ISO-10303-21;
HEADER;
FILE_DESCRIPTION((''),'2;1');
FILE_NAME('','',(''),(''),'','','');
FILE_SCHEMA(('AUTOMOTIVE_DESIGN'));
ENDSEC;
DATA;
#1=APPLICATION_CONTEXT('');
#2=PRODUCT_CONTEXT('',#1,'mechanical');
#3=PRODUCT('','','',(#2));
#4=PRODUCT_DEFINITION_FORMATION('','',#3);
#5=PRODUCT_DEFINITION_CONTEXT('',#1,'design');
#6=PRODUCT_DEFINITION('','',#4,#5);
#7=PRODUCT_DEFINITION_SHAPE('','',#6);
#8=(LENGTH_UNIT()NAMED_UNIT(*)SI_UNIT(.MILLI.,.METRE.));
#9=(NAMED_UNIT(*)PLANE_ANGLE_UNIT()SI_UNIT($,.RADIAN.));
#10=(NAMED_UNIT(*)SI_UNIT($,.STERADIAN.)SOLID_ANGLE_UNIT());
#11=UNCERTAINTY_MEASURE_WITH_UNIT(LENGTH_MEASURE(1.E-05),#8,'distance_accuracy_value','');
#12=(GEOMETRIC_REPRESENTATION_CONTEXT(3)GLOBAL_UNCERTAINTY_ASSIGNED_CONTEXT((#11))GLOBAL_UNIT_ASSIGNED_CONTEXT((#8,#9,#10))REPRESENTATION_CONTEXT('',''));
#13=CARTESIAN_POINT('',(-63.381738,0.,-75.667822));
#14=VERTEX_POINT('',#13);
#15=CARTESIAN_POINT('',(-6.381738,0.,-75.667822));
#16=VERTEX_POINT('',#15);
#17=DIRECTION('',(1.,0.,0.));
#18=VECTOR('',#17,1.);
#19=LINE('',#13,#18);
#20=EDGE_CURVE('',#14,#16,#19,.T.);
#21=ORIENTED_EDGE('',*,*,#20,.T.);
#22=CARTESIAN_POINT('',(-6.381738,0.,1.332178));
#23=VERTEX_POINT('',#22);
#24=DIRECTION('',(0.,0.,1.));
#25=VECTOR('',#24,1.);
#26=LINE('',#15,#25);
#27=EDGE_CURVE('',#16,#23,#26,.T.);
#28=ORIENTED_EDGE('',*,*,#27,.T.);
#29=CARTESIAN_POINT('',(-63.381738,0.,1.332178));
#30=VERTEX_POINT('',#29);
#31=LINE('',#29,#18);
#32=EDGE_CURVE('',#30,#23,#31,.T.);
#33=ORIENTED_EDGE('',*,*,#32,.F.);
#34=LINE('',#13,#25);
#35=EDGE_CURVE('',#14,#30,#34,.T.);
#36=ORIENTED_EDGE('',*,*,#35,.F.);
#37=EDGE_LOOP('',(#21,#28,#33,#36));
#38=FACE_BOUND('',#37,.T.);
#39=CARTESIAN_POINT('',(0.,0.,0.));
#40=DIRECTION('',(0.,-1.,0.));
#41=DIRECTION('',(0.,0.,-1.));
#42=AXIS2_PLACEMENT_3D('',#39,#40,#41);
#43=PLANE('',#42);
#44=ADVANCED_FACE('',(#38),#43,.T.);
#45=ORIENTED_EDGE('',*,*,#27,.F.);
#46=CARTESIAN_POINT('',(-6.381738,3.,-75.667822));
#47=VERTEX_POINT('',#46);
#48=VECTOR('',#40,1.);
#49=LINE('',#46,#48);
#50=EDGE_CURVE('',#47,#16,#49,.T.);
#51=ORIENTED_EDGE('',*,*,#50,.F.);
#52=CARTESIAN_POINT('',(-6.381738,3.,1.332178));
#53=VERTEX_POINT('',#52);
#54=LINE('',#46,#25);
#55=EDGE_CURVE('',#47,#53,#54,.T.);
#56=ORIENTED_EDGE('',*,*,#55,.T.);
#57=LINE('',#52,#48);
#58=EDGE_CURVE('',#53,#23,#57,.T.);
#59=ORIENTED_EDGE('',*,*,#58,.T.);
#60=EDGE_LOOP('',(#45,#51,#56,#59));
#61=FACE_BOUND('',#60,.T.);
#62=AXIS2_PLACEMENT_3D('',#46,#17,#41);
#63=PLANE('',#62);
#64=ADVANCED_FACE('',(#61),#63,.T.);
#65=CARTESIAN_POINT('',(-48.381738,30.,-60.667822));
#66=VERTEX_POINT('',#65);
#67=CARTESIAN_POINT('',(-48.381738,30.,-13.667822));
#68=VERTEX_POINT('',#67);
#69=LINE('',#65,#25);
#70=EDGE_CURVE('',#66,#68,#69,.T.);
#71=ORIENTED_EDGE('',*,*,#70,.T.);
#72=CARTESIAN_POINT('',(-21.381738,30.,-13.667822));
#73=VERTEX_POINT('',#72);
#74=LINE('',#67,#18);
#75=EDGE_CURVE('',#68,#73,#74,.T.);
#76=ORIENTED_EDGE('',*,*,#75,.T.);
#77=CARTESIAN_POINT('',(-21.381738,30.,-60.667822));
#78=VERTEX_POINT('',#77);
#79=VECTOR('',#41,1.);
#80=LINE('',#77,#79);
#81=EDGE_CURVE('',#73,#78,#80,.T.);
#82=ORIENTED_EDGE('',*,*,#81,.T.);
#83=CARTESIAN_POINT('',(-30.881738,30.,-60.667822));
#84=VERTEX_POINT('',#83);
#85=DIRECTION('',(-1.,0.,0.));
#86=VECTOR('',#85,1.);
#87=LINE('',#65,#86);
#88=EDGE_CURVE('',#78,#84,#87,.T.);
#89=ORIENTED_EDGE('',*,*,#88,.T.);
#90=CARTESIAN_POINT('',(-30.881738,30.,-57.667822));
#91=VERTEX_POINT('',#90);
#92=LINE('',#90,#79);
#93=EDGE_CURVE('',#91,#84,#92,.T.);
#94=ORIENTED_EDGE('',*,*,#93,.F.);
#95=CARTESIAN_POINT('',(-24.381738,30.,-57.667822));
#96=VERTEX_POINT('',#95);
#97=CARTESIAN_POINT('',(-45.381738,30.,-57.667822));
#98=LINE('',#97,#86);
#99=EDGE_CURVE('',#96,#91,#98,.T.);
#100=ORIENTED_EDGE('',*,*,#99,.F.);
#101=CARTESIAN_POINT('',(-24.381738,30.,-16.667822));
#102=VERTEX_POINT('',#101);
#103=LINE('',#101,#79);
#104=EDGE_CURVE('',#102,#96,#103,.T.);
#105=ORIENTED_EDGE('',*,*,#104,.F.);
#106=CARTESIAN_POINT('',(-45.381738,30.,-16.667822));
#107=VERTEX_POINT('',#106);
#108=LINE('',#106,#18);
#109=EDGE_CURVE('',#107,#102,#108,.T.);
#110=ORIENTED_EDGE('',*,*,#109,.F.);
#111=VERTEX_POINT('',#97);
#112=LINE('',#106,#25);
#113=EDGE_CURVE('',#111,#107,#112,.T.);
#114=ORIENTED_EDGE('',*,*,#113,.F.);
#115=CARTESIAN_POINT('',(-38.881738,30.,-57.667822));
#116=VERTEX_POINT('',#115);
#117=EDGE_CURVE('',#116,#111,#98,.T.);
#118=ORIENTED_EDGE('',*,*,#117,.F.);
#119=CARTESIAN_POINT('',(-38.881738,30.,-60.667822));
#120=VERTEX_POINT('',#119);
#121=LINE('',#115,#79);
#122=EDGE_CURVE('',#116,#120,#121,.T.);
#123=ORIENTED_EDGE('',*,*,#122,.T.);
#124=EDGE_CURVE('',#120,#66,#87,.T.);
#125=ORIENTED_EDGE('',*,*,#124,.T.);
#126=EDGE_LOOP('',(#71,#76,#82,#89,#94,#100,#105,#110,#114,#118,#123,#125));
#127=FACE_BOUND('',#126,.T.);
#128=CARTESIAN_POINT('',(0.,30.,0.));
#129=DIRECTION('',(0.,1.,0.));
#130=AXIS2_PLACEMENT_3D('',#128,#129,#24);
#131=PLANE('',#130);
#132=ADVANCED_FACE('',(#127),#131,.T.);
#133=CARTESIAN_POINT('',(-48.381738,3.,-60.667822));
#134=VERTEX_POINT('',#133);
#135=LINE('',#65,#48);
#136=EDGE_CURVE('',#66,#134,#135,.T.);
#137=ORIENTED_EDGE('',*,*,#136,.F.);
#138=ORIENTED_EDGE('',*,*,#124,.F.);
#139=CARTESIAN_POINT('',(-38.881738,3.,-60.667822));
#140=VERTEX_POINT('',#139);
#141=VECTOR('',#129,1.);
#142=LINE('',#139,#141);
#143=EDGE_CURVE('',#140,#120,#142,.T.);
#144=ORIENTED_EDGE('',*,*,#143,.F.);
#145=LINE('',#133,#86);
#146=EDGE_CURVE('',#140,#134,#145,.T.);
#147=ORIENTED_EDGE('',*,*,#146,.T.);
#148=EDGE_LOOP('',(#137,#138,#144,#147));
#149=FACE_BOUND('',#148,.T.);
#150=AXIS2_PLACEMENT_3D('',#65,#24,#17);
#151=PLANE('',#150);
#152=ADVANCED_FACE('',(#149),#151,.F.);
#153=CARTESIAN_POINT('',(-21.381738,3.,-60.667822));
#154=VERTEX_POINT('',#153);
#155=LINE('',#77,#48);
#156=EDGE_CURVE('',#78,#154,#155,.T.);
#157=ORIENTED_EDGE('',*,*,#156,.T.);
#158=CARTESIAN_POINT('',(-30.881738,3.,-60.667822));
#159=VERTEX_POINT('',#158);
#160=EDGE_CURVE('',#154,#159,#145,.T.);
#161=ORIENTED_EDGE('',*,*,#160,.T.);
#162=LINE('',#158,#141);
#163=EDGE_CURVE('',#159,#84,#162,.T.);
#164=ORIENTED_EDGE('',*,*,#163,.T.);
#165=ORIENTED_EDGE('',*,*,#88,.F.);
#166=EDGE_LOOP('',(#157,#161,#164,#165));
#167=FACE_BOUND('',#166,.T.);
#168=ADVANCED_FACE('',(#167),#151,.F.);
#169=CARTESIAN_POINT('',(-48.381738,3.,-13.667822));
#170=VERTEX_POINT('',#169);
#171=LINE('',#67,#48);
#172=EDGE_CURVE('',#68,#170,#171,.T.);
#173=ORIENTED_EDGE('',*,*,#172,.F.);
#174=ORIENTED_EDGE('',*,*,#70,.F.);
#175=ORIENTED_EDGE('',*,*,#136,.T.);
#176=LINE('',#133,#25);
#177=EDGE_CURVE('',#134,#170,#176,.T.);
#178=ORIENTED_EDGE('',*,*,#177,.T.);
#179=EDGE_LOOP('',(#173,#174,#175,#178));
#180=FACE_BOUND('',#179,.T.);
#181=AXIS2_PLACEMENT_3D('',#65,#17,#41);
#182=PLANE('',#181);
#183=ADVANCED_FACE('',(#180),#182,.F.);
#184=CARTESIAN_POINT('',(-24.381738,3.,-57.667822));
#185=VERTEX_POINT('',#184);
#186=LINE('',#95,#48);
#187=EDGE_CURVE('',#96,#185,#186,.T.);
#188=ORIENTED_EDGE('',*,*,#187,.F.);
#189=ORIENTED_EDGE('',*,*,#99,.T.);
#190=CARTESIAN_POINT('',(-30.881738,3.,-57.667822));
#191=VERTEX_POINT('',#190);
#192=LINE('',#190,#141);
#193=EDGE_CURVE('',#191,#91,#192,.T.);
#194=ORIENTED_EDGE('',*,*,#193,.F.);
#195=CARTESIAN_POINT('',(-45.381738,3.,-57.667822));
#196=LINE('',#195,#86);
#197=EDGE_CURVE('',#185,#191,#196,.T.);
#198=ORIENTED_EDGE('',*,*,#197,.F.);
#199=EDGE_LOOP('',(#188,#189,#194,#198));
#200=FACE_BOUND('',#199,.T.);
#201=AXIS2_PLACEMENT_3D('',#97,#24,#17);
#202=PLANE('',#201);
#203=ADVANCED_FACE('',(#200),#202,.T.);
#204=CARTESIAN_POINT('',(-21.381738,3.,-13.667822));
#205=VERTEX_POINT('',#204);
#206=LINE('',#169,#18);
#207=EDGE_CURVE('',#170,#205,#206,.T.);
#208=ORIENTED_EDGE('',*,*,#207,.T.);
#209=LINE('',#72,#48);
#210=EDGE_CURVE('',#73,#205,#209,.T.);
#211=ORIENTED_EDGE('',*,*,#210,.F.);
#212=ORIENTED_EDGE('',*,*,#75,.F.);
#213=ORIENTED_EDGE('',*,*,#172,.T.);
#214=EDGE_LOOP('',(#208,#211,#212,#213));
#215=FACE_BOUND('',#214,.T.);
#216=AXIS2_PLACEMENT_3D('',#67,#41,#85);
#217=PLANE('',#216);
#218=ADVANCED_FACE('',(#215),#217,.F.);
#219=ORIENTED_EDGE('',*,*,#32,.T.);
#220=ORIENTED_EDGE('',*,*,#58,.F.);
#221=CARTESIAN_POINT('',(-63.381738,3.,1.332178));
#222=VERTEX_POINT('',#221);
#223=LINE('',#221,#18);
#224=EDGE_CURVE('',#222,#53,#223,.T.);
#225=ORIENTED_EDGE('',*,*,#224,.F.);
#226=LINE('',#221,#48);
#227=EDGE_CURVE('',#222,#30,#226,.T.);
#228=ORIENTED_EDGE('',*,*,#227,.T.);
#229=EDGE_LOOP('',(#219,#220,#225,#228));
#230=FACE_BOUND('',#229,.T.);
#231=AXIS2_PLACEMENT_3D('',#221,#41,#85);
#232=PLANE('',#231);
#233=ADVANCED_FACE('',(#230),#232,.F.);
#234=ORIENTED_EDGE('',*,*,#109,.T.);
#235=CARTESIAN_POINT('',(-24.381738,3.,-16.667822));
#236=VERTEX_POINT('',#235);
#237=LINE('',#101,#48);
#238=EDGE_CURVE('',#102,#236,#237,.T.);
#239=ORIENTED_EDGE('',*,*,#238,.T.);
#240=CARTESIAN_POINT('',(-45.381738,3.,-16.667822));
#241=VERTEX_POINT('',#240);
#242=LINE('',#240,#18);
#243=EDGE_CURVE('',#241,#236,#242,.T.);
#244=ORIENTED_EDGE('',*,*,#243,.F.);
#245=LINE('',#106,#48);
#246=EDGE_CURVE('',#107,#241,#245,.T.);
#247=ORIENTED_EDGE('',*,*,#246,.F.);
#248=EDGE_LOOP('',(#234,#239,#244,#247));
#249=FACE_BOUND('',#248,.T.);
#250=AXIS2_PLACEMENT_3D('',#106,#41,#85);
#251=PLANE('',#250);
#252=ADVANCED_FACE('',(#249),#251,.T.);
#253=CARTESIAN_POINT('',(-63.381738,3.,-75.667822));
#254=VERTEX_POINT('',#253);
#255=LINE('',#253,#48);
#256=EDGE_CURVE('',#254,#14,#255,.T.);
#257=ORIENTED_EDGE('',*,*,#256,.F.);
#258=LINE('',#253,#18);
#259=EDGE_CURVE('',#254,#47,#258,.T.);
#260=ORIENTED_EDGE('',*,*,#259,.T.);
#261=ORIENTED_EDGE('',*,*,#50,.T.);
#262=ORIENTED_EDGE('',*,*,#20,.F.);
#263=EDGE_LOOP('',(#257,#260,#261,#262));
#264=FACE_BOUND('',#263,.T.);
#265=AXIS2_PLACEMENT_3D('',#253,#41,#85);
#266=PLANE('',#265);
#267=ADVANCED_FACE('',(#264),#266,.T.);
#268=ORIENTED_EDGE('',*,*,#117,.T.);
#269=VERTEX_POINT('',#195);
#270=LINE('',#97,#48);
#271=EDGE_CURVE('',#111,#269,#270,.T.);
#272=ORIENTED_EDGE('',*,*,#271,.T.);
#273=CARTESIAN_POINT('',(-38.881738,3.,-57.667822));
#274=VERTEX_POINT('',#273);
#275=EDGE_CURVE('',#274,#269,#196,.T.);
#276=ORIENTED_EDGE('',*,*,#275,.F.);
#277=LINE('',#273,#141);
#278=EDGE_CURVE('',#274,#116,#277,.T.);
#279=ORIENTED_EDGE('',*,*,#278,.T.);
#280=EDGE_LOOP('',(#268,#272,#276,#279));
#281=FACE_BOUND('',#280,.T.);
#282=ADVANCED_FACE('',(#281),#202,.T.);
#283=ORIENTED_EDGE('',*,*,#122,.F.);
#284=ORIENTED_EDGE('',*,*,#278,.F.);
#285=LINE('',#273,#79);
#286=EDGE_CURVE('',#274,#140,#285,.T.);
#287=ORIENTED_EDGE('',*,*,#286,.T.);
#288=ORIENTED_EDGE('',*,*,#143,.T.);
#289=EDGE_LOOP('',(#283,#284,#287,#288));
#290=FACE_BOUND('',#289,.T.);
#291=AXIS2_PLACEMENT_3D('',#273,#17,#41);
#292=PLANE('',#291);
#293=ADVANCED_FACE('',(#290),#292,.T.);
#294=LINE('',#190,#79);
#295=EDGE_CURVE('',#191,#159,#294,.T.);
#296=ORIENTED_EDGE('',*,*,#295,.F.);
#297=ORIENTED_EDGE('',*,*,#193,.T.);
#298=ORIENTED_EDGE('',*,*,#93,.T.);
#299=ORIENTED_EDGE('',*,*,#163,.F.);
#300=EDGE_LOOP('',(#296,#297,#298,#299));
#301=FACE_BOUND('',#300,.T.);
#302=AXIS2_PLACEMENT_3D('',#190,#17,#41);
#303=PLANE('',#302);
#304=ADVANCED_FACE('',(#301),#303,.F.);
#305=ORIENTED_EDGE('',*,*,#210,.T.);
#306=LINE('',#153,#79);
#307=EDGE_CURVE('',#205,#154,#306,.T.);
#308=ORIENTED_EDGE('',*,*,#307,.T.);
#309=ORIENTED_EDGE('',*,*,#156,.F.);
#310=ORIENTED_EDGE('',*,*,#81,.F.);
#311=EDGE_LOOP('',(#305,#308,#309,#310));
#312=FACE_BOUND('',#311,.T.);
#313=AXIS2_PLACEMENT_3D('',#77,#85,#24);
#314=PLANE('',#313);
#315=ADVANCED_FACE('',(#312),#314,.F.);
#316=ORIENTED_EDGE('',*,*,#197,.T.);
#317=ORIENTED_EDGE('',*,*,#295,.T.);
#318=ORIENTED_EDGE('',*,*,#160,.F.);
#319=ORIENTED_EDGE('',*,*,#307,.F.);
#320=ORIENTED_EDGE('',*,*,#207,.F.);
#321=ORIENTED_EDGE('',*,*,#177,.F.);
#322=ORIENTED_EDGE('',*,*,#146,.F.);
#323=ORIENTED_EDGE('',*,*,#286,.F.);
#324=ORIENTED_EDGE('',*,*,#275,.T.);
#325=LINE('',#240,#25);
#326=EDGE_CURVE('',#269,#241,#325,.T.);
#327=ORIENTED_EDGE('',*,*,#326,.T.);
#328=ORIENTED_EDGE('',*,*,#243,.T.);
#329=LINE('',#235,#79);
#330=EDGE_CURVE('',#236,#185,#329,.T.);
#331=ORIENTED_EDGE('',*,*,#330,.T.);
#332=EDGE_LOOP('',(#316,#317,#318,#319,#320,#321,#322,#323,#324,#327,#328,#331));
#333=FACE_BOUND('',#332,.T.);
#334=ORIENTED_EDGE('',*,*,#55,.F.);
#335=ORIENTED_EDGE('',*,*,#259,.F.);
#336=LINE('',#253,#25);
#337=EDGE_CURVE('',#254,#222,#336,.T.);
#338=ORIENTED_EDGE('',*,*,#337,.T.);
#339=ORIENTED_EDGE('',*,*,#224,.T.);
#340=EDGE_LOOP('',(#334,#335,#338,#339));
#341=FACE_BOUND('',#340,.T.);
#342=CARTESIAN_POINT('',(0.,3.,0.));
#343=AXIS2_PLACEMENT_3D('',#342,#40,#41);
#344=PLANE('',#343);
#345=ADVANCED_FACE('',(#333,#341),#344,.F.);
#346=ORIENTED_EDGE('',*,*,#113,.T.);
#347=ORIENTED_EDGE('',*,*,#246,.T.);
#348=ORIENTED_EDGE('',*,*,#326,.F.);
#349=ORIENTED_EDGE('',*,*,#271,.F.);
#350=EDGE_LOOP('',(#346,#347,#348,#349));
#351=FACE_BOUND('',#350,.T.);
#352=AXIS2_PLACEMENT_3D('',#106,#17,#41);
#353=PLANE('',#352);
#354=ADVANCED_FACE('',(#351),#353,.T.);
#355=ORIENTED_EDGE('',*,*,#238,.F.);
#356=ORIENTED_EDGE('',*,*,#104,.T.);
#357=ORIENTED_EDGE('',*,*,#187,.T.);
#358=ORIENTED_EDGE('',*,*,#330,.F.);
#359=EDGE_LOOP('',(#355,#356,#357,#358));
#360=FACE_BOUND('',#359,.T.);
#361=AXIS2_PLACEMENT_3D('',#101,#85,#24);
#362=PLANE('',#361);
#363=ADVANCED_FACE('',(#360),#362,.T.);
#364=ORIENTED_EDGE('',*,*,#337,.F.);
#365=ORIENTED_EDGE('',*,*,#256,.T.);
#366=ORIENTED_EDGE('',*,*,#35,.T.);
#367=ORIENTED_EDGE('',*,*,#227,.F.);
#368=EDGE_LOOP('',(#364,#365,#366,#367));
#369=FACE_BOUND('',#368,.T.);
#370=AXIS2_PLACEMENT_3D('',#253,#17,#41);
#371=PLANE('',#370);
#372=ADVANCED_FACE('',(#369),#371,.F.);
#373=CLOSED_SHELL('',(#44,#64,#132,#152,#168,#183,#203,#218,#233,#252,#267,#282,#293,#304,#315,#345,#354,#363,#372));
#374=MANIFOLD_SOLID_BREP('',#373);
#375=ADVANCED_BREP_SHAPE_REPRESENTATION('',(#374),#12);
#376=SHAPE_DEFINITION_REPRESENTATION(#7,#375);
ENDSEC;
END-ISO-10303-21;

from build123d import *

# Parameters (mm, degrees)
SKETCH2_W           = 57
SKETCH2_H           = 77
BOSS_EXTRUDE1_DEPTH = 3
SKETCH3_W           = 27
SKETCH3_H           = 47
SKETCH3_W_2         = 21
SKETCH3_H_2         = 41
BOSS_EXTRUDE2_DEPTH = 27
SKETCH5_W           = 8
SKETCH5_H           = 3
CUT_EXTRUDE1_DEPTH  = 27


with BuildPart() as part:
    # Sketch2 → Boss-Extrude1 (new body)
    with BuildSketch(Plane(origin=(0, 0, 0), x_dir=(1, 0, 0), z_dir=(0, 1, 0))):
        with Locations((-34.881738231, 37.167822038)):
            Rectangle(SKETCH2_W, SKETCH2_H)
    extrude(amount=BOSS_EXTRUDE1_DEPTH)

    # Sketch3 → Boss-Extrude2 (add)
    with BuildSketch(Plane(origin=(0, 3, 0), x_dir=(1, 0, 0), z_dir=(0, 1, 0))):
        with Locations((-34.881738231, 37.167822038)):
            Rectangle(SKETCH3_W, SKETCH3_H)
        with Locations((-34.881738231, 37.167822038)):
            Rectangle(SKETCH3_W_2, SKETCH3_H_2, mode=Mode.SUBTRACT)
    extrude(amount=BOSS_EXTRUDE2_DEPTH)

    # Sketch5 → Cut-Extrude1 (cut)
    with BuildSketch(Plane(origin=(0, 30, 0), x_dir=(1, 0, 0), z_dir=(0, 1, 0))):
        with Locations((-34.881738231, 59.167822038)):
            Rectangle(SKETCH5_W, SKETCH5_H)
    extrude(amount=-CUT_EXTRUDE1_DEPTH, mode=Mode.SUBTRACT)


solid = part.part
